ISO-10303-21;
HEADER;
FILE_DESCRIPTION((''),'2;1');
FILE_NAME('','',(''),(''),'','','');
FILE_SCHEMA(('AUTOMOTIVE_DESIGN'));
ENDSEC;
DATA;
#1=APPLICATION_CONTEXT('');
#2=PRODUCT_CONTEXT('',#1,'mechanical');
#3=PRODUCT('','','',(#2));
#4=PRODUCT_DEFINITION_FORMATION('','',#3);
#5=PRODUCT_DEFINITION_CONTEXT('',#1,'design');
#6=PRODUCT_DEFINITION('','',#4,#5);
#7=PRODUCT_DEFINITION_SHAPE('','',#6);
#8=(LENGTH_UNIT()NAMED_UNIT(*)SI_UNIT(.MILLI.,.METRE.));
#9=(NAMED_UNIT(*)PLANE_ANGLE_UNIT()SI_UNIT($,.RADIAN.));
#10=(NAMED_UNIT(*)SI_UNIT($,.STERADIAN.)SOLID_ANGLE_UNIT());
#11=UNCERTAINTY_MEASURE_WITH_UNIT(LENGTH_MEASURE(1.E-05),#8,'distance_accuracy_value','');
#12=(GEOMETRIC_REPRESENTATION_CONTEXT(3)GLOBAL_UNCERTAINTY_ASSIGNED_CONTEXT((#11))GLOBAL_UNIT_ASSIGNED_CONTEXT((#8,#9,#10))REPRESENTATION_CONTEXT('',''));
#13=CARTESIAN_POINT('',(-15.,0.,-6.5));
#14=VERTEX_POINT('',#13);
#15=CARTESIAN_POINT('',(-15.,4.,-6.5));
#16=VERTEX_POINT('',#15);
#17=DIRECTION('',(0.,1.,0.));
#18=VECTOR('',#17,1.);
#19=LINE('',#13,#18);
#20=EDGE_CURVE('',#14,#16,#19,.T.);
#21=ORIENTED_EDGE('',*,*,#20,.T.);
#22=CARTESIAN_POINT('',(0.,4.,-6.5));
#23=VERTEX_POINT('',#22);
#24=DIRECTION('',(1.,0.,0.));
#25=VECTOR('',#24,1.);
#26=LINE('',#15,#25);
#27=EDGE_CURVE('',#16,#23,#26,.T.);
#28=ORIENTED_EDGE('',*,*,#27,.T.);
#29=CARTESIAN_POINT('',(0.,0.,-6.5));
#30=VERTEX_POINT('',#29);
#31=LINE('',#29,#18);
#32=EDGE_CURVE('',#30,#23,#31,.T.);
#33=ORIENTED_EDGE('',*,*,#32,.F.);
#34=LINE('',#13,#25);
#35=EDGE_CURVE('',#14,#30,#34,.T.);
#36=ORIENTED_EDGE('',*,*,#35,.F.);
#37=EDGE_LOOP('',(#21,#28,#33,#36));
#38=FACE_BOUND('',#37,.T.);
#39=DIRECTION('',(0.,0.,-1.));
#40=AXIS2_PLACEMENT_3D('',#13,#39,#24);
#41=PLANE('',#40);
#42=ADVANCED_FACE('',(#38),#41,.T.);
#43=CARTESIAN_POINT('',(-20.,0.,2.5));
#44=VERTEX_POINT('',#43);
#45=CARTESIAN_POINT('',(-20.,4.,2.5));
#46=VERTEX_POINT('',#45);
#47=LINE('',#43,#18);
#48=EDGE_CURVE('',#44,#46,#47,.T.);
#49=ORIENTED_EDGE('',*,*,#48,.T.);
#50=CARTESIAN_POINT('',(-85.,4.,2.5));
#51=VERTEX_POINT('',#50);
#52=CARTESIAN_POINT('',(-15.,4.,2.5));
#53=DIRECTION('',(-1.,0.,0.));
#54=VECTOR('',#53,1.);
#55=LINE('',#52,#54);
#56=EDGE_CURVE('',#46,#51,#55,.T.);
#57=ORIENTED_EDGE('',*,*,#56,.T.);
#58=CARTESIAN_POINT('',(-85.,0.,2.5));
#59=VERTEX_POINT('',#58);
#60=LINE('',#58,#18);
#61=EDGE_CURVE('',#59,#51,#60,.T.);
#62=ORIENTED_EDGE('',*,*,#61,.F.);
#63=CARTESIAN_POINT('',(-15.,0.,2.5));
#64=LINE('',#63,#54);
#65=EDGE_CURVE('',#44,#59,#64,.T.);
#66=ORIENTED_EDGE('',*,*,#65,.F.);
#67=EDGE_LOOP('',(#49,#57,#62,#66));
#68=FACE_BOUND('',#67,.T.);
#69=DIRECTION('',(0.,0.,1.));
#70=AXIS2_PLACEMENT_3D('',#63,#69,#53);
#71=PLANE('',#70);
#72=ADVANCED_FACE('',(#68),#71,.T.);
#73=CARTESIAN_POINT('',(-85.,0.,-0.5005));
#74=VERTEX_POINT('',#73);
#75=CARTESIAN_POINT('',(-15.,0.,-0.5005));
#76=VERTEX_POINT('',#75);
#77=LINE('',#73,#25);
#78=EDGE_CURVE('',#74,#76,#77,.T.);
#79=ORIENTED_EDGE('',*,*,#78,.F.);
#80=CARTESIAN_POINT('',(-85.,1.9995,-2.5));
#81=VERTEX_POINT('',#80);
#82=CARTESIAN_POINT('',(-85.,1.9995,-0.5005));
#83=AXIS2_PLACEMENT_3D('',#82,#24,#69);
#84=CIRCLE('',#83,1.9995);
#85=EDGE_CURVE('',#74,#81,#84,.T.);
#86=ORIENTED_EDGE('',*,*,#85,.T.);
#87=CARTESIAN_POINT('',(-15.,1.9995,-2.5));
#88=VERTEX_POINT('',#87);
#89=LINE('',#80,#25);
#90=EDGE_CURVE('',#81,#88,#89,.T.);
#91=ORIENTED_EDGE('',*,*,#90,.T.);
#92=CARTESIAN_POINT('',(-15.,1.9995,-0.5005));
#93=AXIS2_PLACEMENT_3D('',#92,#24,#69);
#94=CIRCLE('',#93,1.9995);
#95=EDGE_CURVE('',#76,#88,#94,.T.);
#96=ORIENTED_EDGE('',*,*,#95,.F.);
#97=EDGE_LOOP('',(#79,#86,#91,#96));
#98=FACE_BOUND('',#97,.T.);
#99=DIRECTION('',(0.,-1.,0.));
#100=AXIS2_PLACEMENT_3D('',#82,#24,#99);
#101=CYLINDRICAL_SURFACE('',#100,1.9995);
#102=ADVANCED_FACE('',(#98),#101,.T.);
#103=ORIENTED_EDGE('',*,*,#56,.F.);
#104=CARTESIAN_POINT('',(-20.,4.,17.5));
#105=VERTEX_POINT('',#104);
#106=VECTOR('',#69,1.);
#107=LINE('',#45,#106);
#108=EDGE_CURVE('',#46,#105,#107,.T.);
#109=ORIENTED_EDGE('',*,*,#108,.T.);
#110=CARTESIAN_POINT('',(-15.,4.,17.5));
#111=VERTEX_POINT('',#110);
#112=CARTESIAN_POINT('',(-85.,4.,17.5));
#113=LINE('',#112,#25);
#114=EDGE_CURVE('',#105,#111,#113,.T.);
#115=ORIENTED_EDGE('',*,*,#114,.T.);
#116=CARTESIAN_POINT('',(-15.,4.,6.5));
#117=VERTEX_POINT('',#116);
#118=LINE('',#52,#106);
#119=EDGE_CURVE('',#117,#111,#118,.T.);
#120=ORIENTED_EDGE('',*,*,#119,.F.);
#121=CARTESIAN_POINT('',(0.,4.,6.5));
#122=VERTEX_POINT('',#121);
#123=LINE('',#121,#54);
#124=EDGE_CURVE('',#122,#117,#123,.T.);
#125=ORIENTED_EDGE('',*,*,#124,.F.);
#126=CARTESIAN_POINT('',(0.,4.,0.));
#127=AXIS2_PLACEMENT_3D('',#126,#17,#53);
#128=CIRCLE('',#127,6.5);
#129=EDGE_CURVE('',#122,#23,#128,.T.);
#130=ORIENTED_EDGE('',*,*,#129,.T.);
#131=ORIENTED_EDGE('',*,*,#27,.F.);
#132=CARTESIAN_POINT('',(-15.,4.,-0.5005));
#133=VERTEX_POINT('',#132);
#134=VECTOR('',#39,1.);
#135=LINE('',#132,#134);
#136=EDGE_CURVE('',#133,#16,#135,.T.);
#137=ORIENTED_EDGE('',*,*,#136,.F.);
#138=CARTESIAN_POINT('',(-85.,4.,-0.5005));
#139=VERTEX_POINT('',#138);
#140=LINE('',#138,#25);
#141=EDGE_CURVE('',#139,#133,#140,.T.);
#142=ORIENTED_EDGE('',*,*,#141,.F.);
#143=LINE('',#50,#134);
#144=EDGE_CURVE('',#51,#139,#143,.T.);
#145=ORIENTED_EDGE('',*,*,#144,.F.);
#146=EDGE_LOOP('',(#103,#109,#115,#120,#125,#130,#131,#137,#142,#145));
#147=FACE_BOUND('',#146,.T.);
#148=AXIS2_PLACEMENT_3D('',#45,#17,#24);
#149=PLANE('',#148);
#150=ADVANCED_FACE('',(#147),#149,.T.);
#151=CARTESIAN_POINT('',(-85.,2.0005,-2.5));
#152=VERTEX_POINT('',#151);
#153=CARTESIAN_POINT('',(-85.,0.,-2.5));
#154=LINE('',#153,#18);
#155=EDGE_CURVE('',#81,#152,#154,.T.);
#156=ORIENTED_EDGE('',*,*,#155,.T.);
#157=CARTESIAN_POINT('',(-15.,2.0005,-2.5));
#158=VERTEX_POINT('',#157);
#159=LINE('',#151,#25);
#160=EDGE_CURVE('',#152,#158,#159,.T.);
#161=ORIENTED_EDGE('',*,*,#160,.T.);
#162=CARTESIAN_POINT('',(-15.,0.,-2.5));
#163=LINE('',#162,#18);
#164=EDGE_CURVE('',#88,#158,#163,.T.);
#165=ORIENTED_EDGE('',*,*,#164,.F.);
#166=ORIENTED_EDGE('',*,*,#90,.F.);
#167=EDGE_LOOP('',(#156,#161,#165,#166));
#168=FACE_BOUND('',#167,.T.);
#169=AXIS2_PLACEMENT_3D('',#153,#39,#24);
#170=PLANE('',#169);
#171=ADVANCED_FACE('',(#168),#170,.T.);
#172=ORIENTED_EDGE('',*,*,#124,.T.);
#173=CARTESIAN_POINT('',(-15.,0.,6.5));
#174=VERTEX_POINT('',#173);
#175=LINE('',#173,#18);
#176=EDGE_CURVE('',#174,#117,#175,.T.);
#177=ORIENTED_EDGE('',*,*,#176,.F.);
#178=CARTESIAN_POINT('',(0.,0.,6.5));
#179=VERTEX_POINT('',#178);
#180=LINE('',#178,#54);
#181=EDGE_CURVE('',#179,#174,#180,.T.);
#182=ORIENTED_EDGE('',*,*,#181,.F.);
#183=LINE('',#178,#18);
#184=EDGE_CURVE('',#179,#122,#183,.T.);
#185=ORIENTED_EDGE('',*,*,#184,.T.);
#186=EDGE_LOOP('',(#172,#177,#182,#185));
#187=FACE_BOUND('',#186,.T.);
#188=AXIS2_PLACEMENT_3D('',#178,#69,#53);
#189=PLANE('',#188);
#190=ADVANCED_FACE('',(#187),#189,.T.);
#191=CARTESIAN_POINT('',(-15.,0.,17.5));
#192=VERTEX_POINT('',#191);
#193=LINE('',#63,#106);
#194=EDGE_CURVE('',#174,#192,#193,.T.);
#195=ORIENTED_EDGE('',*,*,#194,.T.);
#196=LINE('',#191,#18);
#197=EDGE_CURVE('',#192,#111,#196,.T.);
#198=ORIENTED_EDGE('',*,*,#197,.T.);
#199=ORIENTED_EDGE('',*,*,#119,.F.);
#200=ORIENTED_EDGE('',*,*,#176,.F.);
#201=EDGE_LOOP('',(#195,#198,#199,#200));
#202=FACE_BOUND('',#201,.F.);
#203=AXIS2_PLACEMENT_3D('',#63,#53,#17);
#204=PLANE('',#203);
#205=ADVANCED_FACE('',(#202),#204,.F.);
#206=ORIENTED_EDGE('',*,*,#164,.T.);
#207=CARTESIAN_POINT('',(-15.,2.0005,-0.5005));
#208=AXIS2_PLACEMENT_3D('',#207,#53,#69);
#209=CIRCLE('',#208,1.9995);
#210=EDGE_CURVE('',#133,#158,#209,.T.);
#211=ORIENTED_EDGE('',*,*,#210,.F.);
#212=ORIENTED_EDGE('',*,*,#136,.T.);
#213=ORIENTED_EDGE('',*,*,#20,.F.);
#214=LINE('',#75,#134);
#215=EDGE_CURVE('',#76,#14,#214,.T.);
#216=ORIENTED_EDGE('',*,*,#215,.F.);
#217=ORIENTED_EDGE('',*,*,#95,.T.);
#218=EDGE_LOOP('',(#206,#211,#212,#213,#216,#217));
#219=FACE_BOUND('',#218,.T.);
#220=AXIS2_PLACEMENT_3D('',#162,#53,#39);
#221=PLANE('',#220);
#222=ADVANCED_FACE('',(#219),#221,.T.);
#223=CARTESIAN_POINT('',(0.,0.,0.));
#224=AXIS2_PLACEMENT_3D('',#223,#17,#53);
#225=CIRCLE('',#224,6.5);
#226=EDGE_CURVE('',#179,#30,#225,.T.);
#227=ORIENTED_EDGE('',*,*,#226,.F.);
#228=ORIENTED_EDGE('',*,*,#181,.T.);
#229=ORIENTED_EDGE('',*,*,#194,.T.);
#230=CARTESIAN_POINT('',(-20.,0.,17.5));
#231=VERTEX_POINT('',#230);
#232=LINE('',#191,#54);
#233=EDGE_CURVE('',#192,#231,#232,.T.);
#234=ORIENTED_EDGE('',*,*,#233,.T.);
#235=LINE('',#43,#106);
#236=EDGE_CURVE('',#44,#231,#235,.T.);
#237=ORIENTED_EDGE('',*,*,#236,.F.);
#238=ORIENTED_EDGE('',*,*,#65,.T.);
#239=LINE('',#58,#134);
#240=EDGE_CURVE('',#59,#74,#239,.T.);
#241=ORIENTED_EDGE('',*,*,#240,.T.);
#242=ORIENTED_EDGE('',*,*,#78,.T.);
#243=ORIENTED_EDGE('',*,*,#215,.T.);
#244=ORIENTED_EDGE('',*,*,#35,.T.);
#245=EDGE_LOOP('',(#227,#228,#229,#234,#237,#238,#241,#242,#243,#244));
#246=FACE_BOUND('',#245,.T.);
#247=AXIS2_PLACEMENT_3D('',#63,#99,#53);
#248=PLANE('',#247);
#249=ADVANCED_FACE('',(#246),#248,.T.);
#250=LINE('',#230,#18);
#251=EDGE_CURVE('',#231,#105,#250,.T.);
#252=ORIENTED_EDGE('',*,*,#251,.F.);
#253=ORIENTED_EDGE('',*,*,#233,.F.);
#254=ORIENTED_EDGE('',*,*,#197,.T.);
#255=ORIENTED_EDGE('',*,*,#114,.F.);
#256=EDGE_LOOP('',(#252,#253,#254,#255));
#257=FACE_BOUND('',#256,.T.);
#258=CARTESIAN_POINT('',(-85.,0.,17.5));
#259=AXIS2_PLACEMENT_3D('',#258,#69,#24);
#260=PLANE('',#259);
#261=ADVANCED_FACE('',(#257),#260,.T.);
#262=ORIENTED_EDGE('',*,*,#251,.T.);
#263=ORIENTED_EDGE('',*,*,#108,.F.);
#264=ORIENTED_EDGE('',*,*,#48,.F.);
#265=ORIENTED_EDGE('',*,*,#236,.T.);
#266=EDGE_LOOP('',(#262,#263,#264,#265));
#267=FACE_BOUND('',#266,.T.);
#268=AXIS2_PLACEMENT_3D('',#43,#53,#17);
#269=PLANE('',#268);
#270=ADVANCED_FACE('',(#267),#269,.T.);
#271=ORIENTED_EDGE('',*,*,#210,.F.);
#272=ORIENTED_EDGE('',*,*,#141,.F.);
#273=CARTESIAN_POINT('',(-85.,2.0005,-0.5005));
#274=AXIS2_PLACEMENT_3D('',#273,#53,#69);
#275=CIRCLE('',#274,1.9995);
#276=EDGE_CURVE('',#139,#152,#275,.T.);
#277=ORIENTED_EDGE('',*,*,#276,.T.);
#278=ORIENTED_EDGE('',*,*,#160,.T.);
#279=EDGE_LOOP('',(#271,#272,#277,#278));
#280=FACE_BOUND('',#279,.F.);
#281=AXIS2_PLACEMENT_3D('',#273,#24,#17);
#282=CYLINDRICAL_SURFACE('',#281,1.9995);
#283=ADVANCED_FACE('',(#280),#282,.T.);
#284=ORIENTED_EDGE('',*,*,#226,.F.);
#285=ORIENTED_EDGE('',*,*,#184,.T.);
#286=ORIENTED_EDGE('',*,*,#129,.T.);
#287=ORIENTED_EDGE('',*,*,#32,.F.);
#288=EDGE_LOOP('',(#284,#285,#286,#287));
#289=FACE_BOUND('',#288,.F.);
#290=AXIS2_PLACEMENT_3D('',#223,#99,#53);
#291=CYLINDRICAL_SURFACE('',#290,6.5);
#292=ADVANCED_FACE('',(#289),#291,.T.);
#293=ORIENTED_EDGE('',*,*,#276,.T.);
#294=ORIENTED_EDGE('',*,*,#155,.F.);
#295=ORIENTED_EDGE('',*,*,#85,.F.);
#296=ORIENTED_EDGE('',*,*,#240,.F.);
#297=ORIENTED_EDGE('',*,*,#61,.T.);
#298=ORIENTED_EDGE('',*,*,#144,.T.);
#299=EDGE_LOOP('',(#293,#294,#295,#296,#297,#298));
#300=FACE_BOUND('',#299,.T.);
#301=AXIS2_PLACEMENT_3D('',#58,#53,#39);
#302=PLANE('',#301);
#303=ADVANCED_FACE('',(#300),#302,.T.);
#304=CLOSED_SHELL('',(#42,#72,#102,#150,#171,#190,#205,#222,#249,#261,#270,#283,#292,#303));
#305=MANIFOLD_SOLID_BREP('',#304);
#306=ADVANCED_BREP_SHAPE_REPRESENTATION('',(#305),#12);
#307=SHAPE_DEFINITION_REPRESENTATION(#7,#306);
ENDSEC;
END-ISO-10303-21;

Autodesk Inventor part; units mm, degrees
ref_plane "YZ Plane" through (0, 0, 0) normal (1, 0, 0) x (0, 1, 0)
ref_plane "XZ Plane" through (0, 0, 0) normal (0, 1, 0) x (-1, 0, 0)
ref_plane "XY Plane" through (0, 0, 0) normal (0, 0, 1) x (1, 0, 0)
sketch "Sketch1" plane through (0, 0, 0) normal (0, 1, 0) x (-1, 0, 0)
  circle A0 centre (0, 0) radius 6.5
  line L0 (0, 6.5) -> (15, 6.5)
  line L1 (15, 6.5) -> (15, -6.5)
  line L2 (15, -6.5) -> (0, -6.5)
  line L3 (0, -6.5) -> (0, 6.5)
  line L4 (15, 2.5) -> (85, 2.5)
  line L5 (85, 2.5) -> (85, -2.5)
  line L6 (85, -2.5) -> (15, -2.5)
  line L7 (15, -2.5) -> (15, 2.5)
  dimension "d0" = 13
  dimension "d1" = 6.5
  dimension "d2" = 15
  dimension "d3" = 6.5
  dimension "d4" = 70
  dimension "d5" = 4
  dimension "d6" = 4
extrude "Extrusion1" add sketch "Sketch1" along normal blind 4
fillet "Fillet1" radius 2 2 edges at (-50, 4, -2.5) (-50, 0, -2.5)
sketch "Sketch2" plane through (-85, 0, 2.5) normal (0, 0, 1) x (1, 0, 0)
  line L0 (70, 0) -> (70, 4) projected
  line L1 (0, 4) -> (70, 4) projected
  line L2 (70, 0) -> (65, 0)
  line L3 (65, 0) -> (65, 4)
  line L4 (65, 4) -> (70, 4)
  line L5 (70, 4) -> (70, 0)
  point P0 (85, 0)
  dimension "d10" = 5
extrude "Extrusion2" add sketch "Sketch2" along normal blind 15
properties part number "Arms"
